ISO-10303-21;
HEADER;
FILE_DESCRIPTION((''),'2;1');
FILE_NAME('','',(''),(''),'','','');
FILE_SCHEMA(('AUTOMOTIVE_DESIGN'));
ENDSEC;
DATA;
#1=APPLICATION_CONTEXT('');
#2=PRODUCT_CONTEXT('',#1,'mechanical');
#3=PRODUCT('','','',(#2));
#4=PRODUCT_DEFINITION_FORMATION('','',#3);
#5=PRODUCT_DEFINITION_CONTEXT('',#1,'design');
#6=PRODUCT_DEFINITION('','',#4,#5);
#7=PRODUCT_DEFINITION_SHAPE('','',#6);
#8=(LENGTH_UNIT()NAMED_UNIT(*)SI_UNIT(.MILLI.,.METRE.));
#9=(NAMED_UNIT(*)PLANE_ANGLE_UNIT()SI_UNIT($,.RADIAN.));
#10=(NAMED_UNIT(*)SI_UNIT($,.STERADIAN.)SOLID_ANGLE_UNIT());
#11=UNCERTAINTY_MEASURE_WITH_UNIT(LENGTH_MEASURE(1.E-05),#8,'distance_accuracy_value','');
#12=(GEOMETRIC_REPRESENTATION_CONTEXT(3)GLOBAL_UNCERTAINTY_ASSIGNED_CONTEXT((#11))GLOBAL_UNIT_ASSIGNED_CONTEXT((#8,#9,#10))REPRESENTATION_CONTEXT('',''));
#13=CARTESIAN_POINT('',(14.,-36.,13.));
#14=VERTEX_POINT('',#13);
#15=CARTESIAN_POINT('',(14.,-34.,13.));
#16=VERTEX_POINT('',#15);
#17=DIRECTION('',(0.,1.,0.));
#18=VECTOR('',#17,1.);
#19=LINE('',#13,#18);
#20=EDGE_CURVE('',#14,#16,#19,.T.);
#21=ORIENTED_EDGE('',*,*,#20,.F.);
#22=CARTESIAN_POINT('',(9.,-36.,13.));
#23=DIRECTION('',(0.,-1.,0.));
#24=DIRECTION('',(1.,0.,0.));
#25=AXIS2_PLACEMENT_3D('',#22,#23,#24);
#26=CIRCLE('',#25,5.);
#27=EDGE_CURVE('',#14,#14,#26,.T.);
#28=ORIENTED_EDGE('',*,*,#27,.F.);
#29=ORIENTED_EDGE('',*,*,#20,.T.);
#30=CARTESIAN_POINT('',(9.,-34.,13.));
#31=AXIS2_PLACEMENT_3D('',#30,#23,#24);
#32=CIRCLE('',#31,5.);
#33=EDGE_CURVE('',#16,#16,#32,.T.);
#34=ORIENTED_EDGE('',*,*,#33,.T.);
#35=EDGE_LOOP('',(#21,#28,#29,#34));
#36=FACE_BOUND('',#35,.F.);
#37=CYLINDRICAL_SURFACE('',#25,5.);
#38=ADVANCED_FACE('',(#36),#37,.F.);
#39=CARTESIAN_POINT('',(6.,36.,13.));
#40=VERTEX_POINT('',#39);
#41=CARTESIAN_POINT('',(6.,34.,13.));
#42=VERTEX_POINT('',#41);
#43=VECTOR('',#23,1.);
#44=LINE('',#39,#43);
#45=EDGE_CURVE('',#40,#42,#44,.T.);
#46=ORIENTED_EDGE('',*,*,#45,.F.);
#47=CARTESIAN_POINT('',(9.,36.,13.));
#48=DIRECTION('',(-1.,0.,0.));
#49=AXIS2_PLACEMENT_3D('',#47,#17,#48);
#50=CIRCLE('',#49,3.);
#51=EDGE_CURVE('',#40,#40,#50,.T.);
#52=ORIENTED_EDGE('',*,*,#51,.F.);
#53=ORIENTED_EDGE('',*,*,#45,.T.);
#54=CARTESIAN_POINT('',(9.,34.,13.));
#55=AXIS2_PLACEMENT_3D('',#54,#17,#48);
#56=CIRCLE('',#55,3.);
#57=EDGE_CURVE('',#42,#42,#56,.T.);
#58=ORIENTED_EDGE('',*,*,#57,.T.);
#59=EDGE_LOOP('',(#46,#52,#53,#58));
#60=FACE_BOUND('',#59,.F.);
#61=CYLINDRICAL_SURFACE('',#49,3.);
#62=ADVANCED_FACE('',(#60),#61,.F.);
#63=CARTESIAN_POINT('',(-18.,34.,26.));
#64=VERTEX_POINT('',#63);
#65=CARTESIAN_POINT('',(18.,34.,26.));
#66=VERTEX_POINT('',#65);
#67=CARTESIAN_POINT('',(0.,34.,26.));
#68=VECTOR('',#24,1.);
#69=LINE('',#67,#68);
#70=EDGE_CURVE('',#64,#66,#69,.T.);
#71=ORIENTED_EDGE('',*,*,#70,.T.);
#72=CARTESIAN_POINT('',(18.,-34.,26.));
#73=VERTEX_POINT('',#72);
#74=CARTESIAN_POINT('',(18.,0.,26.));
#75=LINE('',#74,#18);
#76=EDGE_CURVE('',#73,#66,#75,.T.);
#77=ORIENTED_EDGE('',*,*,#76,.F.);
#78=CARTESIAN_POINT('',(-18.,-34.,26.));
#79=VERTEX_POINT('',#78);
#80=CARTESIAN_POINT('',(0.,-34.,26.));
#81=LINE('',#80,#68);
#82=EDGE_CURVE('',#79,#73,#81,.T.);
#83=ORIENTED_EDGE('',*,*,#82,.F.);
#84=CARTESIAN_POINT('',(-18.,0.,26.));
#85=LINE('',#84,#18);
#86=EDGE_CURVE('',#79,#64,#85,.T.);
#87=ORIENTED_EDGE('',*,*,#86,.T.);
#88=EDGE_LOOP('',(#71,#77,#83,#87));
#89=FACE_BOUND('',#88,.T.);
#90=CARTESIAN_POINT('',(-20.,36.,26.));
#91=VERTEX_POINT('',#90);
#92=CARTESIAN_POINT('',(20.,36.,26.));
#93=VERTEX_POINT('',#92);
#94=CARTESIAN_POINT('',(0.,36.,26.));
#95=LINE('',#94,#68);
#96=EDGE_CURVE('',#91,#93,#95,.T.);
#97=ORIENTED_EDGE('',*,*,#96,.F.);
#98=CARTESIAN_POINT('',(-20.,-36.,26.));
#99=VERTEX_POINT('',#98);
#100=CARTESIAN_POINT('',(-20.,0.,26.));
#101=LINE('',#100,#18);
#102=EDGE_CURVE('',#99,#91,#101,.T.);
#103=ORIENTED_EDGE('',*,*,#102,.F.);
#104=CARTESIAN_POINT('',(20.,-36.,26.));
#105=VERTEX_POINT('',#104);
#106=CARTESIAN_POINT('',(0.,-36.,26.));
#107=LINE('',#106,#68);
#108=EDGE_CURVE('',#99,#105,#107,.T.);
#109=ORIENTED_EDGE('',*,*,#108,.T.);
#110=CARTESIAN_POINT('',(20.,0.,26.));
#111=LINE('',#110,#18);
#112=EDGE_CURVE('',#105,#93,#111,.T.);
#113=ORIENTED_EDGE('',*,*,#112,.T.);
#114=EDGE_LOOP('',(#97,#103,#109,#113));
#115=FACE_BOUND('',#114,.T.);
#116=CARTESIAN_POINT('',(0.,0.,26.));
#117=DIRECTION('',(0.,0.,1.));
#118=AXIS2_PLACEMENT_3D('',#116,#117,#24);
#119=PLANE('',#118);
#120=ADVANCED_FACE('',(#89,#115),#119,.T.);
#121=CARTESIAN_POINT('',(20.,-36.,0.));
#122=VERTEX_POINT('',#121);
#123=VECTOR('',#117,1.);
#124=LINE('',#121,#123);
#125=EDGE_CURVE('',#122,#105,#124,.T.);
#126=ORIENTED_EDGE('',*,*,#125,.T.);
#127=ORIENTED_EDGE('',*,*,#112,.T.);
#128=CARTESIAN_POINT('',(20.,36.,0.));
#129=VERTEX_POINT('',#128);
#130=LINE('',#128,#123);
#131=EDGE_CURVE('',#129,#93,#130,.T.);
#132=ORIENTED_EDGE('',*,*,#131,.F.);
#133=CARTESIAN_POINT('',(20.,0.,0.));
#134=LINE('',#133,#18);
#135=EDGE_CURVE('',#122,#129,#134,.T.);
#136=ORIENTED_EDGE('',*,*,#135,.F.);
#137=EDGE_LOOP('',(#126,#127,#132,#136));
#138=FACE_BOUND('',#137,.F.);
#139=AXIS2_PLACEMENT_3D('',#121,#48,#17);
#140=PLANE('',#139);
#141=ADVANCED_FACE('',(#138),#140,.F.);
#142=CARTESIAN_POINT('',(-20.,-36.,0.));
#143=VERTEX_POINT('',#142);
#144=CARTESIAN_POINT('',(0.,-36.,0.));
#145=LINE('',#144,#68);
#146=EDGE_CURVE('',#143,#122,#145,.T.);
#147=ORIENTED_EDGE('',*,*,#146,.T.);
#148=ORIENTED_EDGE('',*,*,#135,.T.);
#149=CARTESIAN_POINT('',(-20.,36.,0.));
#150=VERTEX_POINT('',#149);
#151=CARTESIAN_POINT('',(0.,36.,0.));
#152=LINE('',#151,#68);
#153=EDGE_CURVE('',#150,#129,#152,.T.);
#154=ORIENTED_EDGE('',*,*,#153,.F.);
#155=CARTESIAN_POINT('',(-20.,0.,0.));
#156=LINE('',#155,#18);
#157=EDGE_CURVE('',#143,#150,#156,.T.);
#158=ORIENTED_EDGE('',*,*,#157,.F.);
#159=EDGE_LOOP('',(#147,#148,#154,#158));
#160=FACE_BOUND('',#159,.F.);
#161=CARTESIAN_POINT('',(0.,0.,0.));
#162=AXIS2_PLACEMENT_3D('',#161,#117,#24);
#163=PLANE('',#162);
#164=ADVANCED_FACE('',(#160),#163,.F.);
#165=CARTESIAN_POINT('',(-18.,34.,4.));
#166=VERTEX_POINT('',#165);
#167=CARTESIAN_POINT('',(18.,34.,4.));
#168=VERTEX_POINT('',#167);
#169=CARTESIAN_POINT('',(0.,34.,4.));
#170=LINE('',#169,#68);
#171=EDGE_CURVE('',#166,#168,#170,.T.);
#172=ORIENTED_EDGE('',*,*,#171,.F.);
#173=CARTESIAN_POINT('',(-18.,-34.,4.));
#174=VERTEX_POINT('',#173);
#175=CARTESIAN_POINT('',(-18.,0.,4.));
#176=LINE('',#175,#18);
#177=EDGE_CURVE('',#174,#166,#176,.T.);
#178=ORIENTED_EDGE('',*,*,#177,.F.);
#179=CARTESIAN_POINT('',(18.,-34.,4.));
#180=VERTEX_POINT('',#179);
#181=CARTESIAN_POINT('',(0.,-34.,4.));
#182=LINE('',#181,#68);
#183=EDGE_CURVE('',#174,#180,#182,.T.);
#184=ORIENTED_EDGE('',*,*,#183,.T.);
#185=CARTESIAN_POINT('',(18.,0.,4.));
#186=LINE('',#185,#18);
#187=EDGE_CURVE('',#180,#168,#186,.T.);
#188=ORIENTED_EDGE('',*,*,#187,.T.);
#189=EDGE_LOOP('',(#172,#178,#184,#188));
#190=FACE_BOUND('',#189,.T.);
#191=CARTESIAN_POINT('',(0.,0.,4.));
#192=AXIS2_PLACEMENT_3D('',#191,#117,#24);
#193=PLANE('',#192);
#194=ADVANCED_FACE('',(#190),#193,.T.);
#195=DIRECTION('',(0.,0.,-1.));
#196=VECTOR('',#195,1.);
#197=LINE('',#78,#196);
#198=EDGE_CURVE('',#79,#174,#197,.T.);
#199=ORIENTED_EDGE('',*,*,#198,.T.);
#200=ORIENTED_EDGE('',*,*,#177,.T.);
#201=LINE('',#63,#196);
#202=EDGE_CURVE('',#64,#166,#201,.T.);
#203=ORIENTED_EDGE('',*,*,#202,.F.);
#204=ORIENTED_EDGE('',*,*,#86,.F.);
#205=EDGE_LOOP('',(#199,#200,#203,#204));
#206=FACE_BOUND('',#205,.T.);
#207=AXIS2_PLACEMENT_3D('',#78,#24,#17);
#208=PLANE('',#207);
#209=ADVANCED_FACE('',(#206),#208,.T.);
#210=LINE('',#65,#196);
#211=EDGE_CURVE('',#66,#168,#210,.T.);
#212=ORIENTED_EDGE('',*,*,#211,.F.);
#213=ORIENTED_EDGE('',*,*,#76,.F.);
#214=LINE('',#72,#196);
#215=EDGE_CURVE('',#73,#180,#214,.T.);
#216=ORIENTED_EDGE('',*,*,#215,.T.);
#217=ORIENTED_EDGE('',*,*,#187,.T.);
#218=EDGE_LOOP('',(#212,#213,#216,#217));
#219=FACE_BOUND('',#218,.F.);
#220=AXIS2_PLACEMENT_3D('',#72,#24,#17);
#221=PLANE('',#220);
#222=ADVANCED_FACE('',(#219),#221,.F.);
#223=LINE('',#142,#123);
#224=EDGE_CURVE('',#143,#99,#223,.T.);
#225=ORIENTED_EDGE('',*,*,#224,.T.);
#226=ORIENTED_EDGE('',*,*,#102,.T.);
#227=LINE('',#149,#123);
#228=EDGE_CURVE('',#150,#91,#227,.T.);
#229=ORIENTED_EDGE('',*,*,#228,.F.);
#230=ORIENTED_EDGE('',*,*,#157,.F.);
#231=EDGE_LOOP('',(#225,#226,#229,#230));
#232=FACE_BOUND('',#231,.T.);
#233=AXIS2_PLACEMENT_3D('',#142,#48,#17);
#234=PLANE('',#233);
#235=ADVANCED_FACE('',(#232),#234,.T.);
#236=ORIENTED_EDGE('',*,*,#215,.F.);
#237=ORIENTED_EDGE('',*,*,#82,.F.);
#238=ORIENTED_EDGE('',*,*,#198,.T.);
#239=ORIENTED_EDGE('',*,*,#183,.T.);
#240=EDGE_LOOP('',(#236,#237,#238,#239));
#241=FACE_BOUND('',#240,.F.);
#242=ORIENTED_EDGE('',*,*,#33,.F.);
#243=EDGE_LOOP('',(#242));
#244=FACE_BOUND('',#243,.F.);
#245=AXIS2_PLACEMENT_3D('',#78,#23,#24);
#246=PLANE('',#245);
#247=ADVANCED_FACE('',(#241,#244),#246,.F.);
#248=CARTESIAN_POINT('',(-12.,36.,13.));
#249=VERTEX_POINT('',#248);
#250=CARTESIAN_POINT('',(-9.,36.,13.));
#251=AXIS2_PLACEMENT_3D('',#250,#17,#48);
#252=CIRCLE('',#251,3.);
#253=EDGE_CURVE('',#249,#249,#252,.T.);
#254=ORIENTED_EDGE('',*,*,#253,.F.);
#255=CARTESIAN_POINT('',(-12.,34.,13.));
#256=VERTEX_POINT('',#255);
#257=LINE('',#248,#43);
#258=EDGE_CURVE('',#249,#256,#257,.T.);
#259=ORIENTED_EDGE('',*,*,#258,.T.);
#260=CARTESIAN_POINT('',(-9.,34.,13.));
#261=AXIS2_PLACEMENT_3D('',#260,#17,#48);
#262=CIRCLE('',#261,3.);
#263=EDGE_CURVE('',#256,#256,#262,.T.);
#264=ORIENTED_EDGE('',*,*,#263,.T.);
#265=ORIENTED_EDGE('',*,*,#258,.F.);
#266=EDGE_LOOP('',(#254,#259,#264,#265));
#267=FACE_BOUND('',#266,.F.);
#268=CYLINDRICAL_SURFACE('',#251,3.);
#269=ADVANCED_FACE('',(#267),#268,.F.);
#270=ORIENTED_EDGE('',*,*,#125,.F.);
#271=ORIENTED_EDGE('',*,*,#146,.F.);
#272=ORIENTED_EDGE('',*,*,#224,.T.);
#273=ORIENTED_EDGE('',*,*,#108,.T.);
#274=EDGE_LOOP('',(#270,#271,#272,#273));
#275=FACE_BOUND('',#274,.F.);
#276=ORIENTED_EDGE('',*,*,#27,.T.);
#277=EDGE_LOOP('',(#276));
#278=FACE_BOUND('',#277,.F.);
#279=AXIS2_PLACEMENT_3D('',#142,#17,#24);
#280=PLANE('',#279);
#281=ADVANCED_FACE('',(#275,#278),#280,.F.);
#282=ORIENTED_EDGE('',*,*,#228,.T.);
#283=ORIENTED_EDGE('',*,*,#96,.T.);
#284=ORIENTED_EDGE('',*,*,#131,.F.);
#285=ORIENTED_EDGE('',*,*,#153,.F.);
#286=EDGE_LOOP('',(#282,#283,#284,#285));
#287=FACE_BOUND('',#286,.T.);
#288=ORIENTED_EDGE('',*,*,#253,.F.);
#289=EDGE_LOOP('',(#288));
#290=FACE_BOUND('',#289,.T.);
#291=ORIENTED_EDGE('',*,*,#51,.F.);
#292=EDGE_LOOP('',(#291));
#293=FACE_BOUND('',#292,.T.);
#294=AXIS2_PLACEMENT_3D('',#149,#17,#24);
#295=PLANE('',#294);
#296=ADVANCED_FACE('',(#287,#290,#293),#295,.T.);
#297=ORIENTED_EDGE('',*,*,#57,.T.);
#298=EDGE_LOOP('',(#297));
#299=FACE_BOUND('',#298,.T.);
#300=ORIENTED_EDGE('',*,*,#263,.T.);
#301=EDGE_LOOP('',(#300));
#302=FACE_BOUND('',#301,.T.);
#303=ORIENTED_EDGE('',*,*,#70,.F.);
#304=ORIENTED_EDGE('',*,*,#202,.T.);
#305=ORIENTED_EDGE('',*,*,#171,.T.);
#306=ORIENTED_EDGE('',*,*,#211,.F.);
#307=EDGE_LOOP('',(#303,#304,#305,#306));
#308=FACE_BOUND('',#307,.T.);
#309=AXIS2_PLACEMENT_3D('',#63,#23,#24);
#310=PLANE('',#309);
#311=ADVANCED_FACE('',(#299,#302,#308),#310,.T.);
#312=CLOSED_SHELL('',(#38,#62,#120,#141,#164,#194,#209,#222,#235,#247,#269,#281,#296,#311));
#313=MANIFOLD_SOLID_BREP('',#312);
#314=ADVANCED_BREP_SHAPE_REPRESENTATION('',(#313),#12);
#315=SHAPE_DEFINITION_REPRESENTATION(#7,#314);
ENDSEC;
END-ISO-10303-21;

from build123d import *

# Parameters (mm, degrees)
F0_W     = 40
F0_H     = 72
F1_DEPTH = 26
F2_W     = 36
F2_H     = 68
F3_DEPTH = 22
F4_R     = 5
F5_DEPTH = 25
F6_R     = 3
F7_DEPTH = 25


with BuildPart() as f1:
    # F0 (on Top) → F1 (new body)
    with BuildSketch(Plane.XY):
        Rectangle(F0_W, F0_H)
    extrude(amount=F1_DEPTH)

    # F2 (on face) → F3 (cut)
    with BuildSketch(Plane.XY.offset(26)):
        Rectangle(F2_W, F2_H)
    extrude(amount=-F3_DEPTH, mode=Mode.SUBTRACT)

    # F4 (on face) → F5 (cut)
    with BuildSketch(Plane.XZ.offset(36)):
        with Locations((9, 13)):
            Circle(F4_R)
    extrude(amount=-F5_DEPTH, mode=Mode.SUBTRACT)

    # F6 (on face) → F7 (cut)
    with BuildSketch(Plane(origin=(0, 36, 0), x_dir=(-1, 0, 0), z_dir=(0, 1, 0))):
        with Locations((-9, 13)):
            Circle(F6_R)
        with Locations((9, 13)):
            Circle(F6_R)
    extrude(amount=-F7_DEPTH, mode=Mode.SUBTRACT)


solid = f1.part
